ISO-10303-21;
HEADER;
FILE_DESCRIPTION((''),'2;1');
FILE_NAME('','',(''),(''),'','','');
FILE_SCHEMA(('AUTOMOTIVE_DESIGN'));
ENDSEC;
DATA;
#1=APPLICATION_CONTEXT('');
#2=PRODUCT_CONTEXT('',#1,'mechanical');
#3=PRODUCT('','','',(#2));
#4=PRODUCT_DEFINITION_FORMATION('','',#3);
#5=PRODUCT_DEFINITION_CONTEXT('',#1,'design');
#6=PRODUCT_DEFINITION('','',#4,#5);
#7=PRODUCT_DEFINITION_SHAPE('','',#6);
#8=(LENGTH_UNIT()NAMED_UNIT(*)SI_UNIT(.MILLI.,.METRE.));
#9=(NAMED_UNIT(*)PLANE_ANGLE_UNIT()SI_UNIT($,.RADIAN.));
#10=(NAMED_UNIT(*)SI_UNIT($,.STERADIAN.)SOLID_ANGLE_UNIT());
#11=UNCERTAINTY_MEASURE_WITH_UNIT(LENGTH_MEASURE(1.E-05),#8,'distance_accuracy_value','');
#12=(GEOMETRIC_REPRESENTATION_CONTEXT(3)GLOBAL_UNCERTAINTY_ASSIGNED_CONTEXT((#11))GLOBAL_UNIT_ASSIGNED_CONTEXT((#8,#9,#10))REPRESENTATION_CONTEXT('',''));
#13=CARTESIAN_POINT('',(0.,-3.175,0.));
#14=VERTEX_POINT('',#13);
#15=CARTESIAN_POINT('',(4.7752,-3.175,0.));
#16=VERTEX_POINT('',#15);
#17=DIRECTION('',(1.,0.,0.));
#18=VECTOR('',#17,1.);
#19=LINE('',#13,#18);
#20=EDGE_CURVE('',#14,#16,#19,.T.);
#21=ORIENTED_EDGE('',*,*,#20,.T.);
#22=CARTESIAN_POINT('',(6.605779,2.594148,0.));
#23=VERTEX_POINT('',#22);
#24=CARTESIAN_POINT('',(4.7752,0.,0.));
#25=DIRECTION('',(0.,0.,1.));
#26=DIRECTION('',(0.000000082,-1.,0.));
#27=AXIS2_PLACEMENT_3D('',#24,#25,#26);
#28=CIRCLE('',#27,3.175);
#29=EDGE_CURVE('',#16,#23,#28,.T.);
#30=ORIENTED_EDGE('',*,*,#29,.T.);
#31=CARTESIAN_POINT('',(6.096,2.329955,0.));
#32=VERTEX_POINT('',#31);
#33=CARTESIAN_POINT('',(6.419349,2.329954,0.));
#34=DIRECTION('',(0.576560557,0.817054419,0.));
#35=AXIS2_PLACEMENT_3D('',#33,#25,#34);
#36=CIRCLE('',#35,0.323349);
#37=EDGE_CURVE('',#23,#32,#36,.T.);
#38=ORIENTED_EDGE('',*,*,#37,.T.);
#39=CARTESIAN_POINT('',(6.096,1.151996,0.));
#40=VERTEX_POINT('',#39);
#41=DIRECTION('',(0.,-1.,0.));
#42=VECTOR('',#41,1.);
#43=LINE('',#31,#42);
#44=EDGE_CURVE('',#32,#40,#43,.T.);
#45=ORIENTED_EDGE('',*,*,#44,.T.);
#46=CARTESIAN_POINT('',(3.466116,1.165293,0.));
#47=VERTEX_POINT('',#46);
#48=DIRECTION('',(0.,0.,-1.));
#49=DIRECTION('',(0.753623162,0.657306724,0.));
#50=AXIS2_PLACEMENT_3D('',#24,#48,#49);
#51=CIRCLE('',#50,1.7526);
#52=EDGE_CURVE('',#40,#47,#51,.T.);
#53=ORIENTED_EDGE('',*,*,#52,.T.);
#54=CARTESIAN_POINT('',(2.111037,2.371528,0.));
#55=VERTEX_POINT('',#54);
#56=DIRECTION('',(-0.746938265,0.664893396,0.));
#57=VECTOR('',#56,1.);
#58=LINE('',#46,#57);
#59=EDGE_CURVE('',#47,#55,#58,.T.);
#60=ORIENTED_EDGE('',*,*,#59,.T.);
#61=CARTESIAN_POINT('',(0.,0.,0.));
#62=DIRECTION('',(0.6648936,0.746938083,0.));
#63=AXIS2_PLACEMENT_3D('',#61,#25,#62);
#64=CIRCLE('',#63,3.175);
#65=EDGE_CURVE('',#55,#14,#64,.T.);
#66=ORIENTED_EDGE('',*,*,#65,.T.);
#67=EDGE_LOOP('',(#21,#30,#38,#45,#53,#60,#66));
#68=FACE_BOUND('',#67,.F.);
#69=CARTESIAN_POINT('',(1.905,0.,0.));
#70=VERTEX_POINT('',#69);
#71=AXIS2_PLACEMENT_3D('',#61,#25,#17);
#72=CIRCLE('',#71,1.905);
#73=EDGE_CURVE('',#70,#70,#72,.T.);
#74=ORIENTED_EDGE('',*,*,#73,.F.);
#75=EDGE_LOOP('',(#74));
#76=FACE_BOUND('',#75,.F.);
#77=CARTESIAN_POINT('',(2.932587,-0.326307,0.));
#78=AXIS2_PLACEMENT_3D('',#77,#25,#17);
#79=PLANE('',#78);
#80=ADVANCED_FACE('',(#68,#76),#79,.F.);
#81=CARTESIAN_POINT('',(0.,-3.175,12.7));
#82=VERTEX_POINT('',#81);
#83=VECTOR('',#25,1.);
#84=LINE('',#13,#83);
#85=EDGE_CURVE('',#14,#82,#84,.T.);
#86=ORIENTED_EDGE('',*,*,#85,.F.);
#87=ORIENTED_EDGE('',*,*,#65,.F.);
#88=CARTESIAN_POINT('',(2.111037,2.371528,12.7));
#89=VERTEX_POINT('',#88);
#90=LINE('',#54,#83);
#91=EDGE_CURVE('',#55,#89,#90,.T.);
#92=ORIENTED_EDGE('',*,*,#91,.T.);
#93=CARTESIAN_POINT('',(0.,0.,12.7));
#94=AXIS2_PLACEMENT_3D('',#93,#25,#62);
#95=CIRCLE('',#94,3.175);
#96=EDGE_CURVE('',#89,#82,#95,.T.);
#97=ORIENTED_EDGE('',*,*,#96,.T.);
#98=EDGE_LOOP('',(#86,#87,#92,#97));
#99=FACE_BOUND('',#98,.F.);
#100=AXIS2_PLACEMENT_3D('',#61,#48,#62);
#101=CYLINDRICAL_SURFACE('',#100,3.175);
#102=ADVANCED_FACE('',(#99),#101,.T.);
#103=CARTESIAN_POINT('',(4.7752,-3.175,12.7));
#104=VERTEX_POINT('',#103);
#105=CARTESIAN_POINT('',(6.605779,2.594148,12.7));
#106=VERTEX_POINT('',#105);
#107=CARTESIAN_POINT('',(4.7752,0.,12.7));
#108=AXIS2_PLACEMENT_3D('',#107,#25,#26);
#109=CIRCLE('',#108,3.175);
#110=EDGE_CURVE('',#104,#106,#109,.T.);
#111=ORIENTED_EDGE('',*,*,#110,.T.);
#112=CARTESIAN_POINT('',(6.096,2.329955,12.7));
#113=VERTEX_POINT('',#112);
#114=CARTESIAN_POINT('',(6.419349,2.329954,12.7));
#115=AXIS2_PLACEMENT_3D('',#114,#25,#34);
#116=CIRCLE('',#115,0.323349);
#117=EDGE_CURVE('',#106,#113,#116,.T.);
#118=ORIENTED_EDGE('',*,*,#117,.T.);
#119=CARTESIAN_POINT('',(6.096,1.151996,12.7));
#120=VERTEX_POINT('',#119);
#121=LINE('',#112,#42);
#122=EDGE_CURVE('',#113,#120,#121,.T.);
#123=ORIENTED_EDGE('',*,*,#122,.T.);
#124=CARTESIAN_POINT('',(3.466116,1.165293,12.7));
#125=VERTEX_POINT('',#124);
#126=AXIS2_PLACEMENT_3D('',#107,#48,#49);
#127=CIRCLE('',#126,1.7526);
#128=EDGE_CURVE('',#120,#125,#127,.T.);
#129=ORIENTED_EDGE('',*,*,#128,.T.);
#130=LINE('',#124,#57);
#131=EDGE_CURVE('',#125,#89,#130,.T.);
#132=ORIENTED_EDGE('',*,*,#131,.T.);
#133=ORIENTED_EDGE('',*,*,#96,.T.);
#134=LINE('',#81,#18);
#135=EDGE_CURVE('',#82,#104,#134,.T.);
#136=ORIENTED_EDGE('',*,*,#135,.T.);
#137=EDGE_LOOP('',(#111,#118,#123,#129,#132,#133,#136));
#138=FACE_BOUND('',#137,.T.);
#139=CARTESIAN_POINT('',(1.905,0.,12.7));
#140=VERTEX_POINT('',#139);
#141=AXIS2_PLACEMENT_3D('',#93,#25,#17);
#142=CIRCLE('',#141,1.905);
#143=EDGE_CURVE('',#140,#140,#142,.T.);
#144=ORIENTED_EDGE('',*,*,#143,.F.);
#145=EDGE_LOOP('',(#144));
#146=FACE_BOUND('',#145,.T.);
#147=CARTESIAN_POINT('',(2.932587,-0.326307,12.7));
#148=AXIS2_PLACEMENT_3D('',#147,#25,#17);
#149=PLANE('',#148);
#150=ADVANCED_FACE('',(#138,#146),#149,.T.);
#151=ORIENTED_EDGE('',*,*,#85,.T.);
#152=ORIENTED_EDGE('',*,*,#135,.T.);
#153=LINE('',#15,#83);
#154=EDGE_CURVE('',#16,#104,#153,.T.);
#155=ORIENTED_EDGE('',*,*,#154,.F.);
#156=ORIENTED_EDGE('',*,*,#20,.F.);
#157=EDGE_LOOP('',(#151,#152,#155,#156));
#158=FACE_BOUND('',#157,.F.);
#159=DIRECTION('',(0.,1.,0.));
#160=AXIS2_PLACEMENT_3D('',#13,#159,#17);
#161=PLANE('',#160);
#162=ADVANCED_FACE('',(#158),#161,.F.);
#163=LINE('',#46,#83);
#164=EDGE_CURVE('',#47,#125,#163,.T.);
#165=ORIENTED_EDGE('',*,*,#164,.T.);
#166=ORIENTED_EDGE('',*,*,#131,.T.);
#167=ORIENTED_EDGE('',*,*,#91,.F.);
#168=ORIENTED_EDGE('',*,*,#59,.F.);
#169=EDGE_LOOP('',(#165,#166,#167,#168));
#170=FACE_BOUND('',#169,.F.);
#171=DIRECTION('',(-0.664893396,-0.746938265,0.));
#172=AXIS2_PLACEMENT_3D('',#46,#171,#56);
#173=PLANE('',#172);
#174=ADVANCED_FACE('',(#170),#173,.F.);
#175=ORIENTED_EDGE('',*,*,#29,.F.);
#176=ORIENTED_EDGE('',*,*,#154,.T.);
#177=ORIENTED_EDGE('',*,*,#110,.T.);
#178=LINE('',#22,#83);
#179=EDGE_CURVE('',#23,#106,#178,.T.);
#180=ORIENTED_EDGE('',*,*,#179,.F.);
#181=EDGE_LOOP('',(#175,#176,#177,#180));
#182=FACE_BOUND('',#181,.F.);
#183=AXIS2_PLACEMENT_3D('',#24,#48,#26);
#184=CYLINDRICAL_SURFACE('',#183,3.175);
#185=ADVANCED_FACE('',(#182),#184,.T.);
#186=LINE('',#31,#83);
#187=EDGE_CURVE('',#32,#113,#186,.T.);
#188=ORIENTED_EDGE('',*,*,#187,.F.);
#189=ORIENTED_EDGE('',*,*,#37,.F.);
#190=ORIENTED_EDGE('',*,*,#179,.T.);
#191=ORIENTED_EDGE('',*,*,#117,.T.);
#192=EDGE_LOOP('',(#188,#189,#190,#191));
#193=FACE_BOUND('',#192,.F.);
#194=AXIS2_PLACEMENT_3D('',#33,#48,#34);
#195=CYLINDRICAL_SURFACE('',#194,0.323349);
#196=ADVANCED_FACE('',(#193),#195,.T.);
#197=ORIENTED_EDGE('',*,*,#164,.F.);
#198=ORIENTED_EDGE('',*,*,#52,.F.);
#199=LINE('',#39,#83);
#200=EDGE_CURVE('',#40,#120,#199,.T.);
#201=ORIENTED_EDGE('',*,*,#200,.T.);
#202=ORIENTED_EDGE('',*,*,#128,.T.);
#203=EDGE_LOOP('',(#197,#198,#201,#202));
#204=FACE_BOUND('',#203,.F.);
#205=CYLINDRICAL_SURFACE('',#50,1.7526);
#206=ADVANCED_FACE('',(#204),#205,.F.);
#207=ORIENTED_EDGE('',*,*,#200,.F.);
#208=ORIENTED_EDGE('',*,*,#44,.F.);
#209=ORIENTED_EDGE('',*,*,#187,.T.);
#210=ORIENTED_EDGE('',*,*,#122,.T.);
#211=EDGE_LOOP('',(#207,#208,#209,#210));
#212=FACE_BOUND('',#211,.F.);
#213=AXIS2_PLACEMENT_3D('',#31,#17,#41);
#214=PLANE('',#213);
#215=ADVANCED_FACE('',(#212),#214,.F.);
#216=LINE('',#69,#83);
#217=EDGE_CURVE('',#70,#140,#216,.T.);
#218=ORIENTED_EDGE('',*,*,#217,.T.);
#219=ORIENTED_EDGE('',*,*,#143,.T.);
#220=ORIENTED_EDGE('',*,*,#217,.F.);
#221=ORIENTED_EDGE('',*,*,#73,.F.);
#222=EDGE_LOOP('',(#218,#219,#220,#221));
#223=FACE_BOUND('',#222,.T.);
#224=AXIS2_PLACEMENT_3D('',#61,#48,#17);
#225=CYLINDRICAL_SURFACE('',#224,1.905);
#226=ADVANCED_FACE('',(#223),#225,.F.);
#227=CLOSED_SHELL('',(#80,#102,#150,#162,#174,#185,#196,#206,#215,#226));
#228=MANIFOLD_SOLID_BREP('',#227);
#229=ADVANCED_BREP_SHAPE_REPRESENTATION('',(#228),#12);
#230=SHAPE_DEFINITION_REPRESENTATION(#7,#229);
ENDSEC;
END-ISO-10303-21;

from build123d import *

# Parameters (mm, degrees)
F0_R     = 1.905
F1_DEPTH = 12.7


with BuildPart() as f1:
    # F0 (on Top) → F1 (new body)
    with BuildSketch(Plane.XY):
        with BuildLine():
            Line((3.466116, 1.165293), (2.111037, 2.371528))
            ThreePointArc((2.111037, 2.371528), (-2.967341, 1.129385), (0, -3.175))
            Line((0, -3.175), (4.7752, -3.175))
            ThreePointArc((4.7752, -3.175), (7.801505, -0.960261), (6.605779, 2.594148))
            ThreePointArc((6.605779, 2.594148), (6.270566, 2.61704), (6.096, 2.329955))
            Line((6.096, 2.329955), (6.096, 1.151996))
            ThreePointArc((6.096, 1.151996), (4.766339, -1.752578), (3.466116, 1.165293))
        make_face()
        Circle(F0_R, mode=Mode.SUBTRACT)
    extrude(amount=F1_DEPTH)


solid = f1.part
